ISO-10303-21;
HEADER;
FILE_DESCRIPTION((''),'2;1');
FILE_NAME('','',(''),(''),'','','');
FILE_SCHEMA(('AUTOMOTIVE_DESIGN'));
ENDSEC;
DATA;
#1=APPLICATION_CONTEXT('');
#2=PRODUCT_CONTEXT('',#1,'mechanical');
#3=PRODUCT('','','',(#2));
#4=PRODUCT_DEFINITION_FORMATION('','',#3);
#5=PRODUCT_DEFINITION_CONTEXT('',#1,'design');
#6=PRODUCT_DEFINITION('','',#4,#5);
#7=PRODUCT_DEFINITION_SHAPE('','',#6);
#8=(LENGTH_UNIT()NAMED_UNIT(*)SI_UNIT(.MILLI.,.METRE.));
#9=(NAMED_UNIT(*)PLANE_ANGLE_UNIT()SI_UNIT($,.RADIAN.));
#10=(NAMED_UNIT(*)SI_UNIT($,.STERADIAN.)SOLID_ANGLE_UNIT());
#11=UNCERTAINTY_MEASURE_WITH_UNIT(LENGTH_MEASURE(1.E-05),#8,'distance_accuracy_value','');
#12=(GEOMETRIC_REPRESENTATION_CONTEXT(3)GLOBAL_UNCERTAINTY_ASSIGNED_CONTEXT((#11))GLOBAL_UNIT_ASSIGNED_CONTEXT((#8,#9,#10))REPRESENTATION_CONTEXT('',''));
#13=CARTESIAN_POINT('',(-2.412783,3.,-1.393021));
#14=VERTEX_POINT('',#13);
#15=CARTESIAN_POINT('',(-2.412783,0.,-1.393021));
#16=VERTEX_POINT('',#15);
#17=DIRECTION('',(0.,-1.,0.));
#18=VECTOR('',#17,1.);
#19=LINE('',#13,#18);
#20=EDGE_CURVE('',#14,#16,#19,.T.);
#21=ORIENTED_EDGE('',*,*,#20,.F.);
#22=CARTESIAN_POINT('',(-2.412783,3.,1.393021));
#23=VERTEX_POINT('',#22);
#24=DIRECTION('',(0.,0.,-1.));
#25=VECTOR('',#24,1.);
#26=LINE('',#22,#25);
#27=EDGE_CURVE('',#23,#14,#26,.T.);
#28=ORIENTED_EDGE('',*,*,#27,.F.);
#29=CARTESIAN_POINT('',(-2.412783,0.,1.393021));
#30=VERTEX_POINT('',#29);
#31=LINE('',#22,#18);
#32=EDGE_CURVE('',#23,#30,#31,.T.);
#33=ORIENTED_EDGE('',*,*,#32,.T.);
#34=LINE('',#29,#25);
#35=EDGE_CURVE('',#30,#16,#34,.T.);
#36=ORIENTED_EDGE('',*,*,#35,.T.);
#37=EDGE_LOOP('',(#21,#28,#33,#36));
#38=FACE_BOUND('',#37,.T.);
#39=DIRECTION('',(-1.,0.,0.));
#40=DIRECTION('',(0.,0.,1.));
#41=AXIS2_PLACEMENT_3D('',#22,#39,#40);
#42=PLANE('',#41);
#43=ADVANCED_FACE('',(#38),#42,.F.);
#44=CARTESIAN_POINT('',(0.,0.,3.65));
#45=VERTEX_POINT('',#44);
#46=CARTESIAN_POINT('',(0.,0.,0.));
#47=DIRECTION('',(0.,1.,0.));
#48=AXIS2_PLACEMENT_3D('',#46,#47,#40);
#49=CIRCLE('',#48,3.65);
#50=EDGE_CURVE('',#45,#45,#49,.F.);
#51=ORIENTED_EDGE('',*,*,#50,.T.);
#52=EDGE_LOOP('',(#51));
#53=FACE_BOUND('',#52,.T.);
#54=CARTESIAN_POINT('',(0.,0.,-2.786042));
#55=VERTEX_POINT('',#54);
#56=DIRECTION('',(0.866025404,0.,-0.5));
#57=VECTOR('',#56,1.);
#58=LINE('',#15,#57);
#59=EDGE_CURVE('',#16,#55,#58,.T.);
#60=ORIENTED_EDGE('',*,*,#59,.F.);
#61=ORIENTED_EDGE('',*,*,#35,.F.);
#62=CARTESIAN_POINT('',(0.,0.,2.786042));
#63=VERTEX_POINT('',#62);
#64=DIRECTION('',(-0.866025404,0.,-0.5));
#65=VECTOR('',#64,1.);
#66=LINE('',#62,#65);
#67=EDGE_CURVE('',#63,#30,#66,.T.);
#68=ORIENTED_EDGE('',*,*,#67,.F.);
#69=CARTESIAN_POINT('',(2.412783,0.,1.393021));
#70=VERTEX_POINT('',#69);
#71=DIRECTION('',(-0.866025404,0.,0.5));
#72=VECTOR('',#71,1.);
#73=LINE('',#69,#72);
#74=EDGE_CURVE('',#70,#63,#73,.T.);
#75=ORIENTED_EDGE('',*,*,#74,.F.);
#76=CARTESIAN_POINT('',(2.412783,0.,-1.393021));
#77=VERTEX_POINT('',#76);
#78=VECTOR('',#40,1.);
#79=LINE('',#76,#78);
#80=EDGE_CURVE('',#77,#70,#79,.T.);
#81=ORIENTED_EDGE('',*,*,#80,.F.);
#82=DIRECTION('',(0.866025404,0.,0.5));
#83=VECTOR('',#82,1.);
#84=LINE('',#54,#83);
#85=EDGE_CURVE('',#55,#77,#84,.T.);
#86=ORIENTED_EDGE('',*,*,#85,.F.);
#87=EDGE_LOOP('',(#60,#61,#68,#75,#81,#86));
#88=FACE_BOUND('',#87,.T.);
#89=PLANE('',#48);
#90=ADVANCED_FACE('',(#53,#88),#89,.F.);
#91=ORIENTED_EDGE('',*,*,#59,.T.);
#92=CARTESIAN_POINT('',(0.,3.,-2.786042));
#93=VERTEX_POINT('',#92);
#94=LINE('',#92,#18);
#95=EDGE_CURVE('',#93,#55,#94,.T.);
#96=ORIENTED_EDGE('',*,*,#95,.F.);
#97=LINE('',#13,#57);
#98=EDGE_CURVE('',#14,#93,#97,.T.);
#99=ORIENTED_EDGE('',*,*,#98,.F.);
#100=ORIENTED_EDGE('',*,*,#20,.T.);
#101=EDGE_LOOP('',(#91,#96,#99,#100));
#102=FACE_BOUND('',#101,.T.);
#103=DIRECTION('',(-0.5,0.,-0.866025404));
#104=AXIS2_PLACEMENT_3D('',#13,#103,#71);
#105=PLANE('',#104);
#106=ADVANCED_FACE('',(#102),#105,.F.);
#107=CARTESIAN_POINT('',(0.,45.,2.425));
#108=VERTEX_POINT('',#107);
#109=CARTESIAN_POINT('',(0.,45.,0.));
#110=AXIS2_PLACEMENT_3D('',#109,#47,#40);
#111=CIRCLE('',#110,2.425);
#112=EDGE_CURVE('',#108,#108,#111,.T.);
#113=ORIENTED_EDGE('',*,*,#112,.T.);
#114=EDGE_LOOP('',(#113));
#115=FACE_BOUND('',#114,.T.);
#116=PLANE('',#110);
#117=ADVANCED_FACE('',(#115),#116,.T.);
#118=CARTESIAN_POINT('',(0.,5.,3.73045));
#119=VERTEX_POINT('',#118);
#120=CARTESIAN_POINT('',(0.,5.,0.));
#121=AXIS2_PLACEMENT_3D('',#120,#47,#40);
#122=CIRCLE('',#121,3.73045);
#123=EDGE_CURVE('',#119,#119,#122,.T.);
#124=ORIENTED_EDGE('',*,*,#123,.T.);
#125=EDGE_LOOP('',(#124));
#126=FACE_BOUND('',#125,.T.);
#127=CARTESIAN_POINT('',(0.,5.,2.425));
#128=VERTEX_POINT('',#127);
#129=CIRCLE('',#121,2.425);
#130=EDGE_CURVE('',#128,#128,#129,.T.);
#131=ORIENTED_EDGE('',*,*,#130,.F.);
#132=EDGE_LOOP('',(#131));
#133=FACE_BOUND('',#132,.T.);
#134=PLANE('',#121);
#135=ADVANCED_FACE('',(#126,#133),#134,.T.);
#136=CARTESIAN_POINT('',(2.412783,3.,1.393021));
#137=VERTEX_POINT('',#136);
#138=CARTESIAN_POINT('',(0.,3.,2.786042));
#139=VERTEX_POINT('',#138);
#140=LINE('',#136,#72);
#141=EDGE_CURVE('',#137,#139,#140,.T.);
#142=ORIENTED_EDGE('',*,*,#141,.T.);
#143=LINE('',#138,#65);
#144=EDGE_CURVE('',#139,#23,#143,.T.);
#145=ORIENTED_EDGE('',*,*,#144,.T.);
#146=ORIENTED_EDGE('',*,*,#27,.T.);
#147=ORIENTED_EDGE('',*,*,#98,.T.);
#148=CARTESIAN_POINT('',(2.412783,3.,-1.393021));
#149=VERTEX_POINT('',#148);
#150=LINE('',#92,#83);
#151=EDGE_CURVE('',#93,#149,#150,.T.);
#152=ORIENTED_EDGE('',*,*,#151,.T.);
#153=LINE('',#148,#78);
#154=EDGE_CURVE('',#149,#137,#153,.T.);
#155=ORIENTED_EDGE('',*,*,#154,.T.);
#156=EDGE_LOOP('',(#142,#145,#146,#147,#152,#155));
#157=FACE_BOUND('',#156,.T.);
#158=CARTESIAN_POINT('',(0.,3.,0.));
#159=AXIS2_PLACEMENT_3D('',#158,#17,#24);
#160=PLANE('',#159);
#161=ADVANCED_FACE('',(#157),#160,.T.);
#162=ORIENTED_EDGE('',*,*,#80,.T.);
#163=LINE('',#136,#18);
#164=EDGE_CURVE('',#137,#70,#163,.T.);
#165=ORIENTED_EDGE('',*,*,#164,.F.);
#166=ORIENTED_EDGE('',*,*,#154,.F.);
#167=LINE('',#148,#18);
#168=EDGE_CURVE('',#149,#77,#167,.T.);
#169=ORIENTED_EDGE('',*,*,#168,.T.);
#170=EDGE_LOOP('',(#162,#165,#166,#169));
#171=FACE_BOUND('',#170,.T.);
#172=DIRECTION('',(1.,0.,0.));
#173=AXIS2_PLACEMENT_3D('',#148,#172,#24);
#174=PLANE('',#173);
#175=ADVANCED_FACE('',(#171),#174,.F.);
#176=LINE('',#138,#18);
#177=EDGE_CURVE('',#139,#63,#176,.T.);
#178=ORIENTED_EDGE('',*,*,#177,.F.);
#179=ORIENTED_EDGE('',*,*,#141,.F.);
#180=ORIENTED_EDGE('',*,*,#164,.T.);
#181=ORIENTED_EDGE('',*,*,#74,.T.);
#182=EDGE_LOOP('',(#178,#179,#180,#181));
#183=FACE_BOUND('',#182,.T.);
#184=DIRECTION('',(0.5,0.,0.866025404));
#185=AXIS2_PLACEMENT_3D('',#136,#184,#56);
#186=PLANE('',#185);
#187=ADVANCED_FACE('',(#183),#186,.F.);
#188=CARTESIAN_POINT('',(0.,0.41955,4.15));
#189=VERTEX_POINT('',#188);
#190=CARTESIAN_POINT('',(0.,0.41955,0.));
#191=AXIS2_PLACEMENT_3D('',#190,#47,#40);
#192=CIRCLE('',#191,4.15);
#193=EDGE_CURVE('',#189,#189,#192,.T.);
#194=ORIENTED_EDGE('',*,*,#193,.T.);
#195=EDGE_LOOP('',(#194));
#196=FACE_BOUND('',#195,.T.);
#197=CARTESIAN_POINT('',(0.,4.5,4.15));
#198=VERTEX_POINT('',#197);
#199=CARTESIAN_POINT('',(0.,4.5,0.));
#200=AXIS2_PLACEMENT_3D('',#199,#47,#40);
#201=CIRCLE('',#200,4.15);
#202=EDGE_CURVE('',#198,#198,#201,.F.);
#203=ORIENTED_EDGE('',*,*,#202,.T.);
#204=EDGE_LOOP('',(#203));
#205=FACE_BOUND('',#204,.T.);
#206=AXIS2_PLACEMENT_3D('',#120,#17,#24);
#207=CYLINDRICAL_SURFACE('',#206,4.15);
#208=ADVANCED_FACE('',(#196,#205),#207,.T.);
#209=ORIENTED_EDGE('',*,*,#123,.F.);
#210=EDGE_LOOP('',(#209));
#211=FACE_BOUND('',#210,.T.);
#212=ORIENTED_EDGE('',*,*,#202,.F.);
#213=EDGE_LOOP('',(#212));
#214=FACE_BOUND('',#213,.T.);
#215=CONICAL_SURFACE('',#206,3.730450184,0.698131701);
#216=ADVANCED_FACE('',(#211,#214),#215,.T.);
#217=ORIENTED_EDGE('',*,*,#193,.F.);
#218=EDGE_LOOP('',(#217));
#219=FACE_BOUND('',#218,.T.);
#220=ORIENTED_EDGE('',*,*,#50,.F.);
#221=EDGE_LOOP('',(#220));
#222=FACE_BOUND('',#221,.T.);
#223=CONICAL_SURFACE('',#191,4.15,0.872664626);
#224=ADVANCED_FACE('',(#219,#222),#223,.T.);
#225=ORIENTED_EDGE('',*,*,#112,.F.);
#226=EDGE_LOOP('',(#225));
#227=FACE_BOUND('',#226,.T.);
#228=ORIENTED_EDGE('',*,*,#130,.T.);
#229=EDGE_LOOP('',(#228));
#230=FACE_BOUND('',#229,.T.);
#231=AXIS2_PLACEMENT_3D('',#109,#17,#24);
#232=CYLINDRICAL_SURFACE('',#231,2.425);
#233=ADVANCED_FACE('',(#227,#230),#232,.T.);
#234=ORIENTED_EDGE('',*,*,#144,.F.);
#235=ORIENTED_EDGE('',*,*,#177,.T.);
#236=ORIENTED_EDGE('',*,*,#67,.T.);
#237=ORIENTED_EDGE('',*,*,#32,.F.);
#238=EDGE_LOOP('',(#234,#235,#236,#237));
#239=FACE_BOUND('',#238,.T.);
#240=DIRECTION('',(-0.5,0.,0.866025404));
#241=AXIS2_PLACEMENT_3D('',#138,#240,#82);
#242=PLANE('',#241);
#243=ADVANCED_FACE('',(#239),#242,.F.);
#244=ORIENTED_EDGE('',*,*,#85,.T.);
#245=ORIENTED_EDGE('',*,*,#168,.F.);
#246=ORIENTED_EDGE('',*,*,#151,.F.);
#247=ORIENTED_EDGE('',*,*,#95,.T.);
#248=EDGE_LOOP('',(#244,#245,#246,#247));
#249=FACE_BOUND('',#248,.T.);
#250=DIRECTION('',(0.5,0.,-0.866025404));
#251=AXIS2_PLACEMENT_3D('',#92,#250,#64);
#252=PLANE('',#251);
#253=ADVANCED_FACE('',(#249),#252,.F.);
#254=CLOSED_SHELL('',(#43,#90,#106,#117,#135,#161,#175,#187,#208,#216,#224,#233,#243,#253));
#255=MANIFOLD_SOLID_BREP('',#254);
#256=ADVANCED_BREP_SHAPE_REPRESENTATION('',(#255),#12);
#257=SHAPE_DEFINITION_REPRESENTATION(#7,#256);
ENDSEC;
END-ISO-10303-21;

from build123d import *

# Parameters (mm, degrees)
SKETCH1_R             = 4.15
BOSS_EXTRUDE1_DEPTH   = 5
SKETCH2_R             = 2.425
BOSS_EXTRUDE2_DEPTH   = 40
CUT_EXTRUDE1_DEPTH    = 3
CHAMFER1_SIZE         = 0.5
CHAMFER1_SIZE2        = 0.419549816
CHAMFER1_PART_2_SIZE  = 0.5
CHAMFER1_PART_2_SIZE2 = 0.419549816


with BuildPart() as part:
    # Sketch1 → Boss-Extrude1 (new body)
    with BuildSketch(Plane(origin=(0, 0, 0), x_dir=(1, 0, 0), z_dir=(0, 1, 0))):
        Circle(SKETCH1_R)
    extrude(amount=BOSS_EXTRUDE1_DEPTH)

    # Sketch2 → Boss-Extrude2 (add)
    with BuildSketch(Plane(origin=(0, 5, 0), x_dir=(1, 0, 0), z_dir=(0, 1, 0))):
        Circle(SKETCH2_R)
    extrude(amount=BOSS_EXTRUDE2_DEPTH)

    # Sketch3 → Cut-Extrude1 (cut)
    with BuildSketch(Plane.XZ):
        Polygon((0, 2.786041865), (-2.412783031, 1.393020932), (-2.412783031, -1.393020932), (0, -2.786041865), (2.412783031, -1.393020932), (2.412783031, 1.393020932), align=None)
    extrude(amount=-CUT_EXTRUDE1_DEPTH, mode=Mode.SUBTRACT)

    # Chamfer1
    chamfer1_edges = [part.edges().sort_by_distance(p)[0] for p in [
        (-4.15, 0, 0),
    ]]
    chamfer1_side = [part.faces().sort_by_distance(p)[0] for p in [
        (-4.032620274, 0, 0),
    ]]
    chamfer(chamfer1_edges, length=CHAMFER1_SIZE, length2=CHAMFER1_SIZE2, reference=chamfer1_side[0])

    # Chamfer1 part 2
    chamfer1_part_2_edges = [part.edges().sort_by_distance(p)[0] for p in [
        (-4.15, 5, 0),
    ]]
    chamfer1_part_2_side = [part.faces().sort_by_distance(p)[0] for p in [
        (-4.15, 2.5, 0),
    ]]
    chamfer(chamfer1_part_2_edges, length=CHAMFER1_PART_2_SIZE, length2=CHAMFER1_PART_2_SIZE2, reference=chamfer1_part_2_side[0])


solid = part.part
